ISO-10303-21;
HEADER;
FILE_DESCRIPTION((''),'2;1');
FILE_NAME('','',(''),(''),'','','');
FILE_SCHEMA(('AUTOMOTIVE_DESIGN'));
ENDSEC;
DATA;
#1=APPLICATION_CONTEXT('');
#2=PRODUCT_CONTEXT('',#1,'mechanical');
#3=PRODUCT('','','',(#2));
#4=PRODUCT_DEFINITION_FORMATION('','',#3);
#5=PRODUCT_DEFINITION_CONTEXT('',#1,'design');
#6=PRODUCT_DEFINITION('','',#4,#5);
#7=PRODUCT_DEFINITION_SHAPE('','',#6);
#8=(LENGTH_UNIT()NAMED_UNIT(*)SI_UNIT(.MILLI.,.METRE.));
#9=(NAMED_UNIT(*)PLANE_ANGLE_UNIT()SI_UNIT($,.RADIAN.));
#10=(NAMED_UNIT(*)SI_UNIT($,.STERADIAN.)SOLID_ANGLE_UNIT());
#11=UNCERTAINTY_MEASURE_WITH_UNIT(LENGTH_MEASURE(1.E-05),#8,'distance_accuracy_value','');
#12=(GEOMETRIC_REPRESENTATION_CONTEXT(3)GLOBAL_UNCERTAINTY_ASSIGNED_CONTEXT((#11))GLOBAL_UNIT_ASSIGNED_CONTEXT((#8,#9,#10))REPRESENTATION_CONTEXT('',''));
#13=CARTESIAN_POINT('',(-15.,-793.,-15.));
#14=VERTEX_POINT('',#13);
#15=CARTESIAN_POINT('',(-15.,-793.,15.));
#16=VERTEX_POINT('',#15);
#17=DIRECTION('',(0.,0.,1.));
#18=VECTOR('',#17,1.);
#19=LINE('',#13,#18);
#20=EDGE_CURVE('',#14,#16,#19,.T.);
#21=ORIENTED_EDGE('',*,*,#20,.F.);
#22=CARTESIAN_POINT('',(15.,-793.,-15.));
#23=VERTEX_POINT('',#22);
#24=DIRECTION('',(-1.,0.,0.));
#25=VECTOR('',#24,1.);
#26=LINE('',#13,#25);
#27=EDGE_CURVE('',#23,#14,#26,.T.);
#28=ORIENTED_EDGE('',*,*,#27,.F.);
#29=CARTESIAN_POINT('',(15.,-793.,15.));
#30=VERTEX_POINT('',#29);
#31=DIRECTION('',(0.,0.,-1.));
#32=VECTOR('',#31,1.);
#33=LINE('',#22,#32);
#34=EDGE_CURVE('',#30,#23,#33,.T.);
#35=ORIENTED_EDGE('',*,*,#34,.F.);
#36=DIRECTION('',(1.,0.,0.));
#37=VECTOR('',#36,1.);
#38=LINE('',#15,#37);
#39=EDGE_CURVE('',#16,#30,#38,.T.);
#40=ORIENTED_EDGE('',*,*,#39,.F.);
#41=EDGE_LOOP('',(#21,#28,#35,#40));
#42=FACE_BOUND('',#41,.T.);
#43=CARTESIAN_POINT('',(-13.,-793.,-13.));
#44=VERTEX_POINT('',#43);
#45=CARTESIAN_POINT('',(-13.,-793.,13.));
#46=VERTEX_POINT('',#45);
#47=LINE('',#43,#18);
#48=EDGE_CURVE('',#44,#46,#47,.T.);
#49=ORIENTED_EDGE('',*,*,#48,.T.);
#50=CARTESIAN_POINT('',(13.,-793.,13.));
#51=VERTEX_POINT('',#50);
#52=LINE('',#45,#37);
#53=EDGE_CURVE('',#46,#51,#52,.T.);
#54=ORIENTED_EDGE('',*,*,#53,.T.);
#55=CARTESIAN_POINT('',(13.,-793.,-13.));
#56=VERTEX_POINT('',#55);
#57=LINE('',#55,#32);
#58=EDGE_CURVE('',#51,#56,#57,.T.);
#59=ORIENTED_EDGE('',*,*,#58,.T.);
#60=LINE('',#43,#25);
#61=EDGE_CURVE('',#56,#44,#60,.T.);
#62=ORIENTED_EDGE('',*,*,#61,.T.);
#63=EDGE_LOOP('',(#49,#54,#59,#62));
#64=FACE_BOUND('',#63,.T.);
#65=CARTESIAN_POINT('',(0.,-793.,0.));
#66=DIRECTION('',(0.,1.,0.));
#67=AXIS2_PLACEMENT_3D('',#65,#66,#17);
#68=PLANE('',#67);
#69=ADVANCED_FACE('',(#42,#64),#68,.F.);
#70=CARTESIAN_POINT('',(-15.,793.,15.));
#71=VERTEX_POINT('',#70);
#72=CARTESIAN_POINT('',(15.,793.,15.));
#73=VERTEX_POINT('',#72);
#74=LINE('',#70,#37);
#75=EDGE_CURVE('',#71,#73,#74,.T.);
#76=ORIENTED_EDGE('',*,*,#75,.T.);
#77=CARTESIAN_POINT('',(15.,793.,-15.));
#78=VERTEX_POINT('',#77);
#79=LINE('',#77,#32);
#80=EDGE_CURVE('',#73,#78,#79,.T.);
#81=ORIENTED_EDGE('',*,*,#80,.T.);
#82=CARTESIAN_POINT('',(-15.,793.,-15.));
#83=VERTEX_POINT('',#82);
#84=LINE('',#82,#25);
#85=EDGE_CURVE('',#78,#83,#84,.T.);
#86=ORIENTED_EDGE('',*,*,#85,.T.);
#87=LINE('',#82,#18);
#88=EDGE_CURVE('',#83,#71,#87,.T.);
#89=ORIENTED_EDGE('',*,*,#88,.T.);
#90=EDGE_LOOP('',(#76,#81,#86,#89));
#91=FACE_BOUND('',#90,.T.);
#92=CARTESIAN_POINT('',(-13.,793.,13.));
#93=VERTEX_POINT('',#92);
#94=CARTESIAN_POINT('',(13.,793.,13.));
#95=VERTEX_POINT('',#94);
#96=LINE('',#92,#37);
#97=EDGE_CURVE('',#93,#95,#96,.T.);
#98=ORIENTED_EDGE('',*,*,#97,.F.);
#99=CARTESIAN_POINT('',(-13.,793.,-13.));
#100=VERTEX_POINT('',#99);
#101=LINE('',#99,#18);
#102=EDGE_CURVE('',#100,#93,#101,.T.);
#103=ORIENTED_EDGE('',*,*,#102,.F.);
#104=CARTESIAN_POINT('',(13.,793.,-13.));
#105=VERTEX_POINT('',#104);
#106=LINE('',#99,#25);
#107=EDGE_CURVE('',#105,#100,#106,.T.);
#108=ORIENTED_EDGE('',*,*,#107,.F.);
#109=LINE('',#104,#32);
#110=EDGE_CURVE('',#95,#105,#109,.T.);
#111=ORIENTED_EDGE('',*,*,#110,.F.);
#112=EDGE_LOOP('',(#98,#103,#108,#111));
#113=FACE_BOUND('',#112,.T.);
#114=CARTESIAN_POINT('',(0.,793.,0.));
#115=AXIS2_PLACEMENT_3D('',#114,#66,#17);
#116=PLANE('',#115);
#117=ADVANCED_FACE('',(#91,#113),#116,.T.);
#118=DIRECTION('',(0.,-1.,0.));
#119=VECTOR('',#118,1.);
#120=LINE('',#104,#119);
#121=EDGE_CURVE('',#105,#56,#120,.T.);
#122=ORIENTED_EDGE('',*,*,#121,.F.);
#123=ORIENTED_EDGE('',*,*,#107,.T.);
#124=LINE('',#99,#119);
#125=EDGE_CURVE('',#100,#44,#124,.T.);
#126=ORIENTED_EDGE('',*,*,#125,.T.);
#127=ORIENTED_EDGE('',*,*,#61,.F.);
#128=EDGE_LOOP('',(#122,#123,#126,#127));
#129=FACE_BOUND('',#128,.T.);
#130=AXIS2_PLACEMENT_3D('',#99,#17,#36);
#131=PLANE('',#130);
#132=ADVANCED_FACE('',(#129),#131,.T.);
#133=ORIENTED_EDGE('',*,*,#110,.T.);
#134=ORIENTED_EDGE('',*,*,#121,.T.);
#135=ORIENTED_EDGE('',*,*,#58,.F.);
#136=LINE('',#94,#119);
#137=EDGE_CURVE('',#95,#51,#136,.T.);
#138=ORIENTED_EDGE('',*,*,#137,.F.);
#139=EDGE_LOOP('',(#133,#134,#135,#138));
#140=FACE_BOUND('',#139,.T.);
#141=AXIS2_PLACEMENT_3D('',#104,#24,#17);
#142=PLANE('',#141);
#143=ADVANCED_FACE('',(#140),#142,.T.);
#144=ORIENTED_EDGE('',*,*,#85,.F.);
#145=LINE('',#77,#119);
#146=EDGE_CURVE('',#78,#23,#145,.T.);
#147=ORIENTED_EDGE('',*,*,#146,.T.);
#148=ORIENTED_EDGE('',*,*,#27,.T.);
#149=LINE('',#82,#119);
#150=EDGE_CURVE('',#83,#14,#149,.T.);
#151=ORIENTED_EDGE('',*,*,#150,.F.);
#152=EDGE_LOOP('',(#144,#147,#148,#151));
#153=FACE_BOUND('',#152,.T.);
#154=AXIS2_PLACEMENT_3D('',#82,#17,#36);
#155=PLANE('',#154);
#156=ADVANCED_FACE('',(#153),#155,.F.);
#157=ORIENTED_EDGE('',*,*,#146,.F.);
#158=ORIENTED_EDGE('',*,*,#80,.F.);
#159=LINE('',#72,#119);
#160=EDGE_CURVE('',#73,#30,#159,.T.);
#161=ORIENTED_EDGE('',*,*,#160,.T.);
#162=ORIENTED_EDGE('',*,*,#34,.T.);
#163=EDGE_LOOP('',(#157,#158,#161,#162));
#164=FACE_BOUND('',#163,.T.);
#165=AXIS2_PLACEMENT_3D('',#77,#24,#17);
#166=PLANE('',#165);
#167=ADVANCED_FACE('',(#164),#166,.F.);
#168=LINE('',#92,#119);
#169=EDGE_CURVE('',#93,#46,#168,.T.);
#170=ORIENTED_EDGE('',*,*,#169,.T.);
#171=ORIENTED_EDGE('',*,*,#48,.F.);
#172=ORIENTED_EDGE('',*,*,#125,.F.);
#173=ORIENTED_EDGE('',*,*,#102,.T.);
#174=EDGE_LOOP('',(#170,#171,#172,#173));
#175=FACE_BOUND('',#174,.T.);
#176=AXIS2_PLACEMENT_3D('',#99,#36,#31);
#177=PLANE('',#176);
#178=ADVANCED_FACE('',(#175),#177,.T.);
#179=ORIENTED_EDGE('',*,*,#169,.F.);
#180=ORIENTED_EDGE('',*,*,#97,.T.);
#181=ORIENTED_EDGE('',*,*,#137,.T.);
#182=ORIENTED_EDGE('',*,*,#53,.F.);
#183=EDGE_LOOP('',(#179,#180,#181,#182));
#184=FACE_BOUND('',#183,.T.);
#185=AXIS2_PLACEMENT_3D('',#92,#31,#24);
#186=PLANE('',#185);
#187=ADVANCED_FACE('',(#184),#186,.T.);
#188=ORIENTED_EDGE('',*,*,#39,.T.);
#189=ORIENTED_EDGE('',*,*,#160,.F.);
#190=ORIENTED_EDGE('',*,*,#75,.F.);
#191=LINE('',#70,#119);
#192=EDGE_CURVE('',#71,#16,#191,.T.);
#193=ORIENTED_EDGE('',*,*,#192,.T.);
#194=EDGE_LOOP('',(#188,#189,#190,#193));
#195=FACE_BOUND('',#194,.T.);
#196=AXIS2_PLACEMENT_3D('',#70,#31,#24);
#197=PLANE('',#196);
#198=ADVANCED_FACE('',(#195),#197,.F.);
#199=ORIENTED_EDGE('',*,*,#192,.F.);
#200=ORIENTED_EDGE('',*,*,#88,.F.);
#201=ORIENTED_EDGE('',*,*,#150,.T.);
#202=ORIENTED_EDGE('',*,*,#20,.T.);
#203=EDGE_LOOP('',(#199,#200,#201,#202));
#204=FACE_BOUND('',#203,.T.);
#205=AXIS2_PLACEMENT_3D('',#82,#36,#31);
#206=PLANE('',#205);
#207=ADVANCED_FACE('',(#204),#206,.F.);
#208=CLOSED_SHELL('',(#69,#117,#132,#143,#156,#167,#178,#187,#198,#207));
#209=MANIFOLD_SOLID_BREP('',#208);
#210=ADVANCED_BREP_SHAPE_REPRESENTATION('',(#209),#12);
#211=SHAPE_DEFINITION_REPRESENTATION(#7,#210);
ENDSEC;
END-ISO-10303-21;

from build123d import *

# Parameters (mm, degrees)
SKETCH2_W           = 30
SKETCH2_H           = 30
SKETCH2_W_2         = 26
SKETCH2_H_2         = 26
BOSS_EXTRUDE1_DEPTH = 793


with BuildPart() as part:
    # Sketch2 → Boss-Extrude1 (new body, symmetric)
    with BuildSketch(Plane(origin=(0, 0, 0), x_dir=(1, 0, 0), z_dir=(0, 1, 0))):
        Rectangle(SKETCH2_W, SKETCH2_H)
        Rectangle(SKETCH2_W_2, SKETCH2_H_2, mode=Mode.SUBTRACT)
    extrude(amount=BOSS_EXTRUDE1_DEPTH, both=True)


solid = part.part
